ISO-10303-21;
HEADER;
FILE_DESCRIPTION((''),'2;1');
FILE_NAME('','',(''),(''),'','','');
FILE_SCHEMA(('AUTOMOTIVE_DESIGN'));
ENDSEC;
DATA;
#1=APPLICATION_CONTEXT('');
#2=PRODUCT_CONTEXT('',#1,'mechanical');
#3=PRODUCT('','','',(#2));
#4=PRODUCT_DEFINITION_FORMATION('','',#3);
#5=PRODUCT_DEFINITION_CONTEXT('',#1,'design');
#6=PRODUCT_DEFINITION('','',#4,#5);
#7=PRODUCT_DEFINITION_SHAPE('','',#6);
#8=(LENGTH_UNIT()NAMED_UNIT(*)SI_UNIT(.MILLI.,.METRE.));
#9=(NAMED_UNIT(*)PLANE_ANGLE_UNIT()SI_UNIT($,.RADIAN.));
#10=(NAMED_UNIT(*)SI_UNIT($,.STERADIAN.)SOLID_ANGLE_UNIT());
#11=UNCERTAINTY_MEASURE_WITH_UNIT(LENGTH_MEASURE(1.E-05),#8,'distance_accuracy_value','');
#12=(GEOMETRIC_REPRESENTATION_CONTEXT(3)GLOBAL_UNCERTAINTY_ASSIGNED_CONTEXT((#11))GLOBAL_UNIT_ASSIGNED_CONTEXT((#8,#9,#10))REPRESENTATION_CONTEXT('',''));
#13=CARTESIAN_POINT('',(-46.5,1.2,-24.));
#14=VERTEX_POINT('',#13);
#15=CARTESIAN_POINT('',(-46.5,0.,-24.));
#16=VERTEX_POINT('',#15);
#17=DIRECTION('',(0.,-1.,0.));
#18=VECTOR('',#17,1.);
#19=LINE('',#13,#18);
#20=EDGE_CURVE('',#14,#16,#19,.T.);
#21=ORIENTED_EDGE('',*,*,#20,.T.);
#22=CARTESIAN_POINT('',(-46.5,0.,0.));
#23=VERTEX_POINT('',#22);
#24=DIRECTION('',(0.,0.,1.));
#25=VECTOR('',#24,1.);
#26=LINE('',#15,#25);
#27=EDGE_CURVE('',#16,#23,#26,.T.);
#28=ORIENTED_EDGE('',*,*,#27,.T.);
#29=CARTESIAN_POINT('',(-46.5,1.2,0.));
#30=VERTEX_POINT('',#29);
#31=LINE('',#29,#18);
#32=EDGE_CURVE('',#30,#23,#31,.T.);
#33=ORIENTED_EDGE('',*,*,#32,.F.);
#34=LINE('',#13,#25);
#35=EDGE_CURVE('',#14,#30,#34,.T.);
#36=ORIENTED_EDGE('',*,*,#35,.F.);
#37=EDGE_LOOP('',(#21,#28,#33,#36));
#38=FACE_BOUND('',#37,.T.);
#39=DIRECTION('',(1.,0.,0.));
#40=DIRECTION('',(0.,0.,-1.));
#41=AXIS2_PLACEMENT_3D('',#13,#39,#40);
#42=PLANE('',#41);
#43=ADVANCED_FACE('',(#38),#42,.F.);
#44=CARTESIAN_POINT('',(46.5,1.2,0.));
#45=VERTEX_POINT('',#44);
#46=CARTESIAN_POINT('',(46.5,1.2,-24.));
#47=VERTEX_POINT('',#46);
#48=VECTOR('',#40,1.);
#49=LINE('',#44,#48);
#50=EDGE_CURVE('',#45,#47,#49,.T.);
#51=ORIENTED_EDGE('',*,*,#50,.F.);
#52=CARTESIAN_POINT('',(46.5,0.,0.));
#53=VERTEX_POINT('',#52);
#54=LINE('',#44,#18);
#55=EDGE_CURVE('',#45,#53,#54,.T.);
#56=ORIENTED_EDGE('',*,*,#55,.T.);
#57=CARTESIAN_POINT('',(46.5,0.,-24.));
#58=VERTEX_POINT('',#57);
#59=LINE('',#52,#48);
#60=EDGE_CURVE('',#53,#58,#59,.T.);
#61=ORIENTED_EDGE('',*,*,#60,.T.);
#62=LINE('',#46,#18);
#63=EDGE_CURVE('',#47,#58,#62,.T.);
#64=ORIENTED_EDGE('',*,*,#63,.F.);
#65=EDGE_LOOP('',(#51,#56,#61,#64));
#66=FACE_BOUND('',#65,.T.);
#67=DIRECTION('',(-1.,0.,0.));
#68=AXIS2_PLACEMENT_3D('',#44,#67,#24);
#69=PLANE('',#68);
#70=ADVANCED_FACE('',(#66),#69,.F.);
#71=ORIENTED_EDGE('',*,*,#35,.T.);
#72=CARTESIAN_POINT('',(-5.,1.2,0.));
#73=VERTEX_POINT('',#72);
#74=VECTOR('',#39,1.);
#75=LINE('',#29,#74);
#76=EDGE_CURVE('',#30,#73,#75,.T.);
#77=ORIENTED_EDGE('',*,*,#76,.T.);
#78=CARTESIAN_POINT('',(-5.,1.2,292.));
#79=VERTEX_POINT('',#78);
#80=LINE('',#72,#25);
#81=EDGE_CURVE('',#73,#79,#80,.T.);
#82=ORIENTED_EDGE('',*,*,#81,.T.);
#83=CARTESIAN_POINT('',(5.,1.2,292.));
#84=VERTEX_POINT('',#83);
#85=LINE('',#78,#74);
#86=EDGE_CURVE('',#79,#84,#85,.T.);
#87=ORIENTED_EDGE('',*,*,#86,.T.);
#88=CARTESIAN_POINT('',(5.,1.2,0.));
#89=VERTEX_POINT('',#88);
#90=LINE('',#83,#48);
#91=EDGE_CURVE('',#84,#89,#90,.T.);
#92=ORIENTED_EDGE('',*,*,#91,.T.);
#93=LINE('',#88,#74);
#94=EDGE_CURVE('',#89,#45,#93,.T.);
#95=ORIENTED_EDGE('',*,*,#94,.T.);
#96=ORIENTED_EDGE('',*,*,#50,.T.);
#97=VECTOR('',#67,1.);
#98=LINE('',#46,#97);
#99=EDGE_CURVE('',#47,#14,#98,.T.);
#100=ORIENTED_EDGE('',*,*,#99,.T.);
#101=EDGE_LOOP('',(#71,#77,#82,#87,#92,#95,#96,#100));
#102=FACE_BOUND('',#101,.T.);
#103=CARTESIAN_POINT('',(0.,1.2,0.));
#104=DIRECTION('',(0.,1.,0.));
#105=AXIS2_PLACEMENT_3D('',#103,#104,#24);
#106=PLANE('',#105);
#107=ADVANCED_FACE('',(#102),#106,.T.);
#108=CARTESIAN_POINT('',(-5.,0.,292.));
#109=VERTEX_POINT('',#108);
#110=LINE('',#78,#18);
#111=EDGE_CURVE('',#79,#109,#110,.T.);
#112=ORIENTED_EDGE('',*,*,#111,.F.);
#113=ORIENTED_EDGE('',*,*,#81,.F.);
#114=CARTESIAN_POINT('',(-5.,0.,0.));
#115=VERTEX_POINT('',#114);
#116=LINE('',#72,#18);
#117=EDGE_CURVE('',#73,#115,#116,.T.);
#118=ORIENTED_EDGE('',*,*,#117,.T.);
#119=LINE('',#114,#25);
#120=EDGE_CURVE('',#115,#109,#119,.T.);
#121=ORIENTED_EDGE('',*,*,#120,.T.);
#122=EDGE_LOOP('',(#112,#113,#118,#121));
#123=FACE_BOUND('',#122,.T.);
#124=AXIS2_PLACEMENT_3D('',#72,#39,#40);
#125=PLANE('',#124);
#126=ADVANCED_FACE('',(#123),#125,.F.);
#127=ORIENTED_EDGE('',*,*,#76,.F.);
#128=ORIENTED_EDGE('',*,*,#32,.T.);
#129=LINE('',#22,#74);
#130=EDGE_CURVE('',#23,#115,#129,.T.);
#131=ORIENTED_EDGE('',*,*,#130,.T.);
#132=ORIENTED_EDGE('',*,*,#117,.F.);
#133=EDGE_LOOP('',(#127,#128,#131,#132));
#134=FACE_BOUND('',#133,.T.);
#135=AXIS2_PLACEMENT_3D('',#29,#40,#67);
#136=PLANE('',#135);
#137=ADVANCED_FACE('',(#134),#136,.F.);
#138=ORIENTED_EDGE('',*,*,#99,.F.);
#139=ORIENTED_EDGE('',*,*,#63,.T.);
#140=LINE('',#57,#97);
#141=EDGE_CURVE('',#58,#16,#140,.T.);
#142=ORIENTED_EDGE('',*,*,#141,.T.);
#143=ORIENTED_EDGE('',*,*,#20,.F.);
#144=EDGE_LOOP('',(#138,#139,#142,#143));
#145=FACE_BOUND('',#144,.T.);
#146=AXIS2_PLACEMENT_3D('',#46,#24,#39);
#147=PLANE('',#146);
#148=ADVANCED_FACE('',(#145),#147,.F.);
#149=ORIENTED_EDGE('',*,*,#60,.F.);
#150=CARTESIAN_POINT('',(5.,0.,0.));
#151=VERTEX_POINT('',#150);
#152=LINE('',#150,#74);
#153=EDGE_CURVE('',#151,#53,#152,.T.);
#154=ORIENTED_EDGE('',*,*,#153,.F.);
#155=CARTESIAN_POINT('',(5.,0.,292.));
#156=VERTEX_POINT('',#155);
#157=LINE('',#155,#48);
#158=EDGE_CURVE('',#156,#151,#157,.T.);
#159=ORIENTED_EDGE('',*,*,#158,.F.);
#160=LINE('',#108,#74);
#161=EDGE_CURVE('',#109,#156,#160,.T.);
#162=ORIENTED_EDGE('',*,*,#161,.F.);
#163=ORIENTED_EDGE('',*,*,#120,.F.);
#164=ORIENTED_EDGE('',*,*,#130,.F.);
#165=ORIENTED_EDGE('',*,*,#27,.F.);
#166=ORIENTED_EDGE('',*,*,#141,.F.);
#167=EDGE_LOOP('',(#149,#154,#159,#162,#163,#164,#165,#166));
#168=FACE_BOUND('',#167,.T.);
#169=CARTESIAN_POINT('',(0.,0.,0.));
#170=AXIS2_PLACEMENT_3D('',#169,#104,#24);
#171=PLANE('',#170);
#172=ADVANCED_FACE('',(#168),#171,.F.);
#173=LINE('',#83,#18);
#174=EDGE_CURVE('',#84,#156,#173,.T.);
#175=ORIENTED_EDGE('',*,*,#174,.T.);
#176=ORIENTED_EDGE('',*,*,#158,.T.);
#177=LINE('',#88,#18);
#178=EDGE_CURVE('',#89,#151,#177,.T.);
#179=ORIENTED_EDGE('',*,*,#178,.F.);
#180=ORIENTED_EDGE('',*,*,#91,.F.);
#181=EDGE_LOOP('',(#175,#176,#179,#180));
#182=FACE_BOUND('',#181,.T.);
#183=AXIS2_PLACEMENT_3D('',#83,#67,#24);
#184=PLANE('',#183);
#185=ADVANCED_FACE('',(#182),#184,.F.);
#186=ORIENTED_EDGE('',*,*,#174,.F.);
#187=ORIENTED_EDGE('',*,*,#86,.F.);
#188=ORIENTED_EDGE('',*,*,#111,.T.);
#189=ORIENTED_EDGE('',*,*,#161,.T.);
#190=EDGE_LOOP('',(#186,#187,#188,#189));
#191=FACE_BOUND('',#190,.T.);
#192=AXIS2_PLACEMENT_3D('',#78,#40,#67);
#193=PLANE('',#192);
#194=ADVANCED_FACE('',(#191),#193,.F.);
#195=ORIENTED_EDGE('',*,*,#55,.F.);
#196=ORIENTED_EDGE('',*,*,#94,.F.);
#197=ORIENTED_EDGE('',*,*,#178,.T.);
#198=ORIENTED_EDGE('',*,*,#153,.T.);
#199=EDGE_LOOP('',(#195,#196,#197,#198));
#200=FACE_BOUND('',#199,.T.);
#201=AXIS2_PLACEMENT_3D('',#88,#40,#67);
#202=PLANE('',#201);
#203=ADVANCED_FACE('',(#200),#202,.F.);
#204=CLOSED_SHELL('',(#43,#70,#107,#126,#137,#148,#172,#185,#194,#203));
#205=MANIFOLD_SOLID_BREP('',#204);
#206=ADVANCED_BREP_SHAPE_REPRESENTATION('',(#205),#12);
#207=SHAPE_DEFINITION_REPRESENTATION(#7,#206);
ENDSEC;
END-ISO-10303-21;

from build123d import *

# Parameters (mm, degrees)
BOSS_EXTRUDE1_DEPTH = 1.2


with BuildPart() as part:
    # Sketch1 → Boss-Extrude1 (new body)
    with BuildSketch(Plane(origin=(0, 0, 0), x_dir=(1, 0, 0), z_dir=(0, 1, 0))):
        Polygon((-46.5, 24), (-46.5, 0), (-5, 0), (-5, -292), (5, -292), (5, 0), (46.5, 0), (46.5, 24), align=None)
    extrude(amount=BOSS_EXTRUDE1_DEPTH)


solid = part.part
